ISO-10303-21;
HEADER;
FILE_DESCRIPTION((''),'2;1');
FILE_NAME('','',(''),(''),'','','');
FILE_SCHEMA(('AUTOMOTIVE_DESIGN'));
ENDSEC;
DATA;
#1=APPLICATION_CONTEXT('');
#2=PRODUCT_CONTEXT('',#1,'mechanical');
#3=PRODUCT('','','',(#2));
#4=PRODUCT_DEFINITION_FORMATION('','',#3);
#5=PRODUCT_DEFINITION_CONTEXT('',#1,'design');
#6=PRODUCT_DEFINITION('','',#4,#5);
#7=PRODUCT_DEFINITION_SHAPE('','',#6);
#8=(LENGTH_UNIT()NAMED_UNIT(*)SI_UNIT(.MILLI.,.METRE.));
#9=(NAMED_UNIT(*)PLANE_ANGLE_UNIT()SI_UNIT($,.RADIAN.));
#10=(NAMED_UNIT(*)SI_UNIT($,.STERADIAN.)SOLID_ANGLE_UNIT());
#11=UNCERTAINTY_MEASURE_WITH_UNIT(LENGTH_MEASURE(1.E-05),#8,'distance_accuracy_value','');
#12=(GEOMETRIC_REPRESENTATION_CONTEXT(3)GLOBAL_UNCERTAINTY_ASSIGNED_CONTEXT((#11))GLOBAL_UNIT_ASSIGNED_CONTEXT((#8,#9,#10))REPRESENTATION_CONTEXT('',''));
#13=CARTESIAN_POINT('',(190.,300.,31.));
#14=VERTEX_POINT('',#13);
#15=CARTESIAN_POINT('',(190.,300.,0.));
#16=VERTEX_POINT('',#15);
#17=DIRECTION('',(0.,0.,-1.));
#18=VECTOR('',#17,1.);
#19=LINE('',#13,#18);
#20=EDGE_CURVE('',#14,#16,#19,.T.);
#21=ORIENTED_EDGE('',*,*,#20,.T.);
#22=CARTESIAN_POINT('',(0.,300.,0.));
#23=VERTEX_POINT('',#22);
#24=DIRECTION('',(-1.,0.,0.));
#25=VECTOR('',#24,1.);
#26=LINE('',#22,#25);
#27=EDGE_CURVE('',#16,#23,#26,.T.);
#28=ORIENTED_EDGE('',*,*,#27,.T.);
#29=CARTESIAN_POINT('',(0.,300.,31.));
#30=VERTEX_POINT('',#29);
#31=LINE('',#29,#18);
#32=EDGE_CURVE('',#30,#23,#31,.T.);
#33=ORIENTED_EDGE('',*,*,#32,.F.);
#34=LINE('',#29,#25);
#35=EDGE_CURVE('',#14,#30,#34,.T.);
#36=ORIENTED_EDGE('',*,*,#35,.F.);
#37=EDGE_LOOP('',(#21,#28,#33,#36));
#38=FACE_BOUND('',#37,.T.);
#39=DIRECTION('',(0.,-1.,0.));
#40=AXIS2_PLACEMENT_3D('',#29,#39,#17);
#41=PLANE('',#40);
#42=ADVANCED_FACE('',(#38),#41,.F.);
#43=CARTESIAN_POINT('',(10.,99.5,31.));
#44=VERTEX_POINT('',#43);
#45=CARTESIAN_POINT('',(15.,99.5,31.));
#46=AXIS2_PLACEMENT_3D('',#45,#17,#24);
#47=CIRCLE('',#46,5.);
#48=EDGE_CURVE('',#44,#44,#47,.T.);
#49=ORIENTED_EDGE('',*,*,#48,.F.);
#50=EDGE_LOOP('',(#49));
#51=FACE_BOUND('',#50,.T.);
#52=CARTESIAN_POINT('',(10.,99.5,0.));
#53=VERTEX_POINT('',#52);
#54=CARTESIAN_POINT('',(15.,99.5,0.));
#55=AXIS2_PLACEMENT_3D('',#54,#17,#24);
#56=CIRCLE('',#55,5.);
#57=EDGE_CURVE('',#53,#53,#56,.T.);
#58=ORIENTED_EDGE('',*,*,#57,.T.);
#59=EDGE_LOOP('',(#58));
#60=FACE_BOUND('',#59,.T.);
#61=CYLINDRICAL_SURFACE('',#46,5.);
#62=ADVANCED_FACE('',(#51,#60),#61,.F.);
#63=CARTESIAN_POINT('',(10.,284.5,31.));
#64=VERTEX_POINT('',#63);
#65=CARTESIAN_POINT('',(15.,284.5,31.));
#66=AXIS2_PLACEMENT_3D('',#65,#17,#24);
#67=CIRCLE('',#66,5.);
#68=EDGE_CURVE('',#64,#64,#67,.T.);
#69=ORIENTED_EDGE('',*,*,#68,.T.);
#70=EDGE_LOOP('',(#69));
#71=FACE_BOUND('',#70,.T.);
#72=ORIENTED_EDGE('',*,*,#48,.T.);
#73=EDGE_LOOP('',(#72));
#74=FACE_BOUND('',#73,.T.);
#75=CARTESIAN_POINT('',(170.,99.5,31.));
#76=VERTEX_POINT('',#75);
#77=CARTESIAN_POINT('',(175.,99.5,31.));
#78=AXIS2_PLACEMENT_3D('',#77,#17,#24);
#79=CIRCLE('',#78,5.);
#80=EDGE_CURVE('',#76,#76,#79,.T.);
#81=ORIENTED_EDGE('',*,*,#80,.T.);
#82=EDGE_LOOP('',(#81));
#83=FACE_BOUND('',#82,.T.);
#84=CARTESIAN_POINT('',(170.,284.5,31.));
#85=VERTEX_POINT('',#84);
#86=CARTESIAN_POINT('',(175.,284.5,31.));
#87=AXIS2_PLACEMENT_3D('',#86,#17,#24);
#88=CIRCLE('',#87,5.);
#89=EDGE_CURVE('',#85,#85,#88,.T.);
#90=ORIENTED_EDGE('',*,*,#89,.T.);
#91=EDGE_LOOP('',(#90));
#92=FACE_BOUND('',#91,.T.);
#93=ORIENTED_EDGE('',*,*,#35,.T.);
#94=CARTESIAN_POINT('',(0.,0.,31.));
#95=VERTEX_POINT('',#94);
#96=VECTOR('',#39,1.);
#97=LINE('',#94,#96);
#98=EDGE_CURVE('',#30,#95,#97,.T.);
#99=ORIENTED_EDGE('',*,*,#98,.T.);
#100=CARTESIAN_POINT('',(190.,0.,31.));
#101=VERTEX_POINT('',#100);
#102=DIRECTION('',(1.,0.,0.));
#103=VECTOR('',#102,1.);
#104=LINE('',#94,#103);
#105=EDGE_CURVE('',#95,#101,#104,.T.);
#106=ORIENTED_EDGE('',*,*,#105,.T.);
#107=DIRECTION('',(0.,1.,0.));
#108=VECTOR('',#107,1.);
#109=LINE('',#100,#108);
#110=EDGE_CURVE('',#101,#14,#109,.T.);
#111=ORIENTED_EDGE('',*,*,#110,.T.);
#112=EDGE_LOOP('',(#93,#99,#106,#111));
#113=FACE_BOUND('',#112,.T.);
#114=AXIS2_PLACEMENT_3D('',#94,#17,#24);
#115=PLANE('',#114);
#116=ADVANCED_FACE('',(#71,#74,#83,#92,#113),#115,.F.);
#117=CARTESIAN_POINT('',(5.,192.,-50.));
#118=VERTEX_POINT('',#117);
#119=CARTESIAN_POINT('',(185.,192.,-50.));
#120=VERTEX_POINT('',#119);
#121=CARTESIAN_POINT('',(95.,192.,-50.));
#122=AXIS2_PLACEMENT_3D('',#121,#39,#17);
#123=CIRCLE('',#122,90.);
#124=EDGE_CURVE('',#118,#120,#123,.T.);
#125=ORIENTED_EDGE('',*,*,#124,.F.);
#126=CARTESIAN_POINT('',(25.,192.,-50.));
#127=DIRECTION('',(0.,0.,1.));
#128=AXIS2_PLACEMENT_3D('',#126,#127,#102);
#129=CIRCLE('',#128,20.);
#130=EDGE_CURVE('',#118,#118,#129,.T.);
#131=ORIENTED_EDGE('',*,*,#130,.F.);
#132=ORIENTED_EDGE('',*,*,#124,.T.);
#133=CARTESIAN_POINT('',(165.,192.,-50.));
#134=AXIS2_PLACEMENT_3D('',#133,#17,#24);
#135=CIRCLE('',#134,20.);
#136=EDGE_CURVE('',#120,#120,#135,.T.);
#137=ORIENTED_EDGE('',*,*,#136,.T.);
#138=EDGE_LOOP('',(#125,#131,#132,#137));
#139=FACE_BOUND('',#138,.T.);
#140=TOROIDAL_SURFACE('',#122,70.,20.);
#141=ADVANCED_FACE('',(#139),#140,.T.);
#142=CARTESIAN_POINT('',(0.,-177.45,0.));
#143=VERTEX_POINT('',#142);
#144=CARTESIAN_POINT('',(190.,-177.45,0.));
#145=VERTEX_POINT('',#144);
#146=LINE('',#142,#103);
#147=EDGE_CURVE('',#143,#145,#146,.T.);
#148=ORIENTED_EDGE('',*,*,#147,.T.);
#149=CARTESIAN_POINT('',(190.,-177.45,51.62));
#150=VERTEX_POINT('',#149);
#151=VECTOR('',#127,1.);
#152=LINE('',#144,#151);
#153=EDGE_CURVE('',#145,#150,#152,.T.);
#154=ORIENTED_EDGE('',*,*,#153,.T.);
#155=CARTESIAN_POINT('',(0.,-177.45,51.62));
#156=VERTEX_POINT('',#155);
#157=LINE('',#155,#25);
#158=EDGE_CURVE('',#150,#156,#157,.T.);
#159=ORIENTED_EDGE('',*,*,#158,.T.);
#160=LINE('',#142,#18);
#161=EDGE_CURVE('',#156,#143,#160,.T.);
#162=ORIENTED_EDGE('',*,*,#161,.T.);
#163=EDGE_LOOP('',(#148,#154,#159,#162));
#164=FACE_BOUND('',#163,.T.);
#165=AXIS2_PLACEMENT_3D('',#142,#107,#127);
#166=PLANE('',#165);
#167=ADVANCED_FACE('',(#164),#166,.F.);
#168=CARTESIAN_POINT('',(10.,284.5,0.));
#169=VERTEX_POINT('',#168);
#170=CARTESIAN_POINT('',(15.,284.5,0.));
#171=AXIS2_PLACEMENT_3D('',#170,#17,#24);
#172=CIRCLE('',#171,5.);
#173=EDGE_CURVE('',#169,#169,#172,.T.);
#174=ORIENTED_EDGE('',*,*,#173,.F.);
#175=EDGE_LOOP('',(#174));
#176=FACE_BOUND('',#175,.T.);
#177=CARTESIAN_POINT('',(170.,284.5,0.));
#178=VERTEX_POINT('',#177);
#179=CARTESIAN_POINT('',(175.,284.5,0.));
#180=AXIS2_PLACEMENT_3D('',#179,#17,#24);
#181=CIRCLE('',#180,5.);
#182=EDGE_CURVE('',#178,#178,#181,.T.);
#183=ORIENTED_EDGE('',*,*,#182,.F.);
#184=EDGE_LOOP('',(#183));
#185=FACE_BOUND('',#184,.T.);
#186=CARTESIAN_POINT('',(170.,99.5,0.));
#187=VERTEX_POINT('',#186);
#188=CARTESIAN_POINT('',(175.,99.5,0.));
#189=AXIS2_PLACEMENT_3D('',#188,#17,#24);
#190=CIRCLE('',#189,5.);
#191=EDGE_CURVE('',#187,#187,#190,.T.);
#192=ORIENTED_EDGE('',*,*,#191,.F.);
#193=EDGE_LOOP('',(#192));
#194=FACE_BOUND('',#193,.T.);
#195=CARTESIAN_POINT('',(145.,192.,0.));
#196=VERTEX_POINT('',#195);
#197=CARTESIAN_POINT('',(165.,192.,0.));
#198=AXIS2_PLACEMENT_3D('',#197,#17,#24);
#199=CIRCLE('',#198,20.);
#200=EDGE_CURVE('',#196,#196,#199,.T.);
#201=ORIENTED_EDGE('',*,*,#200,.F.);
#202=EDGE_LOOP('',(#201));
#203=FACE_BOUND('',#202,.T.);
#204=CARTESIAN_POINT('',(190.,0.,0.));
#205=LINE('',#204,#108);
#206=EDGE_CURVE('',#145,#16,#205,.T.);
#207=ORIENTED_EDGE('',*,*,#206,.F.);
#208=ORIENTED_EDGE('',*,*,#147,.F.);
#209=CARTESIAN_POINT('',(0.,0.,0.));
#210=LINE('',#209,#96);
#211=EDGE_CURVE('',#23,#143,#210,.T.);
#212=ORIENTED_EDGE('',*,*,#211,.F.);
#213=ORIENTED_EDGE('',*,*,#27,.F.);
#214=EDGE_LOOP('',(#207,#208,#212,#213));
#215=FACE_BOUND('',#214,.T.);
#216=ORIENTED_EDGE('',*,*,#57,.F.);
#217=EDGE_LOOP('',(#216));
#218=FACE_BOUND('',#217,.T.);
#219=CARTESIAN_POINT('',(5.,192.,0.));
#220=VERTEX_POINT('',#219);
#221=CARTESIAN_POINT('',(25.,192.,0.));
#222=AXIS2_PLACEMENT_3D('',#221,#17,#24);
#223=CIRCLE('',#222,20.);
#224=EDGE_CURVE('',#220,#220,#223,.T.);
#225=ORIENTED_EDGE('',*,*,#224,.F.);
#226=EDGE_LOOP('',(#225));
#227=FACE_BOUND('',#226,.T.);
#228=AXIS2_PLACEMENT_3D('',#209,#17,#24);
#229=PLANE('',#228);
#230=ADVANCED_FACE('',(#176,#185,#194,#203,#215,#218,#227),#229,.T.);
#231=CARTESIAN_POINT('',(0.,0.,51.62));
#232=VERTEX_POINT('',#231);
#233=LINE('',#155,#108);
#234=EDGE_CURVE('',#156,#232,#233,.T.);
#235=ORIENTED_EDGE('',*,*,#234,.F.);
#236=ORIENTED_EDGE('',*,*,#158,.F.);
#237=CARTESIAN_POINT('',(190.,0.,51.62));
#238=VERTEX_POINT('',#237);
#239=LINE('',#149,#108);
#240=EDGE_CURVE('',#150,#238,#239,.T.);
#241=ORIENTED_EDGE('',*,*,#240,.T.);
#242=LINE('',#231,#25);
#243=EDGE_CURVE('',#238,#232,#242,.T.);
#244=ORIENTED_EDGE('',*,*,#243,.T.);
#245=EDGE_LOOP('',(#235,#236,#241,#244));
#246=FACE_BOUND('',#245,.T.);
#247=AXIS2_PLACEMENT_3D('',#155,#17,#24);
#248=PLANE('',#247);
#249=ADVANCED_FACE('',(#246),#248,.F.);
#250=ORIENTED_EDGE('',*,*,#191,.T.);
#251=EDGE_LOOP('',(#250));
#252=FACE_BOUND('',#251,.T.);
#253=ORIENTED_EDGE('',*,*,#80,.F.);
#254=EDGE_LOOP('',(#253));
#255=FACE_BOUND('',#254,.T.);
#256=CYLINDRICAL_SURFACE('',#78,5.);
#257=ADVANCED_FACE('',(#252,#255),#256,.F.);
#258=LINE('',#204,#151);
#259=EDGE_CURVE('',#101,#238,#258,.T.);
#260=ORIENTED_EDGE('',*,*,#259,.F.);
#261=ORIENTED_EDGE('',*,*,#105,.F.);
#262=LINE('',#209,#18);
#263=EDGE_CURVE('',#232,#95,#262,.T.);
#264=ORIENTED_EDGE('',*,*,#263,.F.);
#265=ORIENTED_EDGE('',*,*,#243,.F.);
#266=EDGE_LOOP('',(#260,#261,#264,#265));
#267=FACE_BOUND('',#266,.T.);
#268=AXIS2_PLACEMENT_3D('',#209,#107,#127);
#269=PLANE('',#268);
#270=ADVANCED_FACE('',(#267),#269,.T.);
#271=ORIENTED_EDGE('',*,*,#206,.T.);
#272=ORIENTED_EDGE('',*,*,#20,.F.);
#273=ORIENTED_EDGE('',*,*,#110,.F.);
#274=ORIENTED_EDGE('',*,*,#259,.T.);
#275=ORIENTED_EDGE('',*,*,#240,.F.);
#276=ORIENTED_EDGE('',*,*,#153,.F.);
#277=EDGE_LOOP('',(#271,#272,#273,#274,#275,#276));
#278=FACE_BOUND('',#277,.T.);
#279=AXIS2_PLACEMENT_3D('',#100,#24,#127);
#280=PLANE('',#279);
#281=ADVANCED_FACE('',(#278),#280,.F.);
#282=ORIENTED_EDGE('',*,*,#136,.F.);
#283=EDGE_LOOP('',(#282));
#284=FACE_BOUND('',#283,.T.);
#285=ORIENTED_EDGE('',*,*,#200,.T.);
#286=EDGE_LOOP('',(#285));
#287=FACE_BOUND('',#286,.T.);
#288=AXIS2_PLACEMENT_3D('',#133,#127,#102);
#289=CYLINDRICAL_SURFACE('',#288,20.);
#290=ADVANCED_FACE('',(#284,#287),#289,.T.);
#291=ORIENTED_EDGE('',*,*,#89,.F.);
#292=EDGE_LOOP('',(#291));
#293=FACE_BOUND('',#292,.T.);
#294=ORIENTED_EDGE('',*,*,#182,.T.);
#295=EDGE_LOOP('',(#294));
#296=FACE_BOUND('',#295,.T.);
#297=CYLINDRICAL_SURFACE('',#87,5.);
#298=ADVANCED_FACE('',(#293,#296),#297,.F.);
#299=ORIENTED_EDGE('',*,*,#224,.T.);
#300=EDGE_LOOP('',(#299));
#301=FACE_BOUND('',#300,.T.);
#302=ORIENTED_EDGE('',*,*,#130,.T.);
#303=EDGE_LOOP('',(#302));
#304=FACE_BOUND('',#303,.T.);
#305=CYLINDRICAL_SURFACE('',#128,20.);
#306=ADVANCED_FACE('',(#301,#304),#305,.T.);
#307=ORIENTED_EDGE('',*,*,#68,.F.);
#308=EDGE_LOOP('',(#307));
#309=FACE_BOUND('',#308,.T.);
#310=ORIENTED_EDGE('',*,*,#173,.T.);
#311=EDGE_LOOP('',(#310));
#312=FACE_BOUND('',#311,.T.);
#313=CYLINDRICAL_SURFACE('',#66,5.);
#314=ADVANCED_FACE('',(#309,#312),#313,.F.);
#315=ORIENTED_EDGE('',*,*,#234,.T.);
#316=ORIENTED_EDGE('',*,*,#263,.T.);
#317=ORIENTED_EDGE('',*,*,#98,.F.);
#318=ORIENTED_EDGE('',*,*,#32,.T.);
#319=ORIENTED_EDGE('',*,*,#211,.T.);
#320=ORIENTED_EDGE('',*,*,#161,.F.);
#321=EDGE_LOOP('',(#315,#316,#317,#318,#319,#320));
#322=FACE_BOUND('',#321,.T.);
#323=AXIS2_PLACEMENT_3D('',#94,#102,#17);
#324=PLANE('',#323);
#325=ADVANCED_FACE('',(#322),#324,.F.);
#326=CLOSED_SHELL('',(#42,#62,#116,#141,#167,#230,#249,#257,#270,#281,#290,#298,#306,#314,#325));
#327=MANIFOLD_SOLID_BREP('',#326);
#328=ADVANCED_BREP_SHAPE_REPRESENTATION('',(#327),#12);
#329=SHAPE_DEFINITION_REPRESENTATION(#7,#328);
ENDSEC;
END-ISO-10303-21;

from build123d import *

# Parameters (mm, degrees)
ESQUISSE1_W             = 190
ESQUISSE1_H             = 300
BOSS_EXTRU_1_DEPTH      = 31
ESQUISSE2_R             = 5
ENL_V_MAT_EXTRU_1_DEPTH = 357.456168413
ESQUISSE3_W             = 190
ESQUISSE3_H             = 51.62
BOSS_EXTRU_2_DEPTH      = 177.45
ESQUISSE4_R             = 20
BOSS_EXTRU_3_DEPTH      = 50
ESQUISSE6_R             = 20
R_VOLUTION1_ANGLE       = 180


with BuildPart() as part:
    # Esquisse1 → Boss.-Extru.1 (new body)
    with BuildSketch(Plane.XY):
        with Locations((95, 150)):
            Rectangle(ESQUISSE1_W, ESQUISSE1_H)
    extrude(amount=BOSS_EXTRU_1_DEPTH)

    # Esquisse2 → Enlèv. mat.-Extru.1 (cut, through all)
    with BuildSketch(Plane(origin=(0, 0, 0), x_dir=(-1, 0, 0), z_dir=(0, 0, -1))):
        with Locations((-175, 284.5)):
            Circle(ESQUISSE2_R)
        with Locations((-15, 284.5)):
            Circle(ESQUISSE2_R)
        with Locations((-175, 99.5)):
            Circle(ESQUISSE2_R)
        with Locations((-15, 99.5)):
            Circle(ESQUISSE2_R)
    extrude(amount=-ENL_V_MAT_EXTRU_1_DEPTH, mode=Mode.SUBTRACT)

    # Esquisse3 → Boss.-Extru.2 (add)
    with BuildSketch(Plane.XZ):
        with Locations((95, 25.81)):
            Rectangle(ESQUISSE3_W, ESQUISSE3_H)
    extrude(amount=BOSS_EXTRU_2_DEPTH)

    # Esquisse4 → Boss.-Extru.3 (add)
    with BuildSketch(Plane(origin=(0, 0, 0), x_dir=(-1, 0, 0), z_dir=(0, 0, -1))):
        with Locations((-165, 192)):
            Circle(ESQUISSE4_R)
    boss_extru_3 = extrude(amount=BOSS_EXTRU_3_DEPTH)

    # Symétrie1: Boss.-Extru.3 across plane
    add(boss_extru_3.mirror(Plane(origin=(95, 0, 0), x_dir=(0, 0, 1), z_dir=(1, 0, 0))))

    # Esquisse6 → Révolution1 (revolve)
    with BuildSketch(Plane(origin=(0, 0, -50), x_dir=(-1, 0, 0), z_dir=(0, 0, -1))):
        with Locations(Location((-165, 192, 0), (0, 0, 180))):
            Circle(ESQUISSE6_R)
    revolve(axis=Axis((95, -201.3225, -50), (0, 1, 0)), revolution_arc=R_VOLUTION1_ANGLE)


solid = part.part
